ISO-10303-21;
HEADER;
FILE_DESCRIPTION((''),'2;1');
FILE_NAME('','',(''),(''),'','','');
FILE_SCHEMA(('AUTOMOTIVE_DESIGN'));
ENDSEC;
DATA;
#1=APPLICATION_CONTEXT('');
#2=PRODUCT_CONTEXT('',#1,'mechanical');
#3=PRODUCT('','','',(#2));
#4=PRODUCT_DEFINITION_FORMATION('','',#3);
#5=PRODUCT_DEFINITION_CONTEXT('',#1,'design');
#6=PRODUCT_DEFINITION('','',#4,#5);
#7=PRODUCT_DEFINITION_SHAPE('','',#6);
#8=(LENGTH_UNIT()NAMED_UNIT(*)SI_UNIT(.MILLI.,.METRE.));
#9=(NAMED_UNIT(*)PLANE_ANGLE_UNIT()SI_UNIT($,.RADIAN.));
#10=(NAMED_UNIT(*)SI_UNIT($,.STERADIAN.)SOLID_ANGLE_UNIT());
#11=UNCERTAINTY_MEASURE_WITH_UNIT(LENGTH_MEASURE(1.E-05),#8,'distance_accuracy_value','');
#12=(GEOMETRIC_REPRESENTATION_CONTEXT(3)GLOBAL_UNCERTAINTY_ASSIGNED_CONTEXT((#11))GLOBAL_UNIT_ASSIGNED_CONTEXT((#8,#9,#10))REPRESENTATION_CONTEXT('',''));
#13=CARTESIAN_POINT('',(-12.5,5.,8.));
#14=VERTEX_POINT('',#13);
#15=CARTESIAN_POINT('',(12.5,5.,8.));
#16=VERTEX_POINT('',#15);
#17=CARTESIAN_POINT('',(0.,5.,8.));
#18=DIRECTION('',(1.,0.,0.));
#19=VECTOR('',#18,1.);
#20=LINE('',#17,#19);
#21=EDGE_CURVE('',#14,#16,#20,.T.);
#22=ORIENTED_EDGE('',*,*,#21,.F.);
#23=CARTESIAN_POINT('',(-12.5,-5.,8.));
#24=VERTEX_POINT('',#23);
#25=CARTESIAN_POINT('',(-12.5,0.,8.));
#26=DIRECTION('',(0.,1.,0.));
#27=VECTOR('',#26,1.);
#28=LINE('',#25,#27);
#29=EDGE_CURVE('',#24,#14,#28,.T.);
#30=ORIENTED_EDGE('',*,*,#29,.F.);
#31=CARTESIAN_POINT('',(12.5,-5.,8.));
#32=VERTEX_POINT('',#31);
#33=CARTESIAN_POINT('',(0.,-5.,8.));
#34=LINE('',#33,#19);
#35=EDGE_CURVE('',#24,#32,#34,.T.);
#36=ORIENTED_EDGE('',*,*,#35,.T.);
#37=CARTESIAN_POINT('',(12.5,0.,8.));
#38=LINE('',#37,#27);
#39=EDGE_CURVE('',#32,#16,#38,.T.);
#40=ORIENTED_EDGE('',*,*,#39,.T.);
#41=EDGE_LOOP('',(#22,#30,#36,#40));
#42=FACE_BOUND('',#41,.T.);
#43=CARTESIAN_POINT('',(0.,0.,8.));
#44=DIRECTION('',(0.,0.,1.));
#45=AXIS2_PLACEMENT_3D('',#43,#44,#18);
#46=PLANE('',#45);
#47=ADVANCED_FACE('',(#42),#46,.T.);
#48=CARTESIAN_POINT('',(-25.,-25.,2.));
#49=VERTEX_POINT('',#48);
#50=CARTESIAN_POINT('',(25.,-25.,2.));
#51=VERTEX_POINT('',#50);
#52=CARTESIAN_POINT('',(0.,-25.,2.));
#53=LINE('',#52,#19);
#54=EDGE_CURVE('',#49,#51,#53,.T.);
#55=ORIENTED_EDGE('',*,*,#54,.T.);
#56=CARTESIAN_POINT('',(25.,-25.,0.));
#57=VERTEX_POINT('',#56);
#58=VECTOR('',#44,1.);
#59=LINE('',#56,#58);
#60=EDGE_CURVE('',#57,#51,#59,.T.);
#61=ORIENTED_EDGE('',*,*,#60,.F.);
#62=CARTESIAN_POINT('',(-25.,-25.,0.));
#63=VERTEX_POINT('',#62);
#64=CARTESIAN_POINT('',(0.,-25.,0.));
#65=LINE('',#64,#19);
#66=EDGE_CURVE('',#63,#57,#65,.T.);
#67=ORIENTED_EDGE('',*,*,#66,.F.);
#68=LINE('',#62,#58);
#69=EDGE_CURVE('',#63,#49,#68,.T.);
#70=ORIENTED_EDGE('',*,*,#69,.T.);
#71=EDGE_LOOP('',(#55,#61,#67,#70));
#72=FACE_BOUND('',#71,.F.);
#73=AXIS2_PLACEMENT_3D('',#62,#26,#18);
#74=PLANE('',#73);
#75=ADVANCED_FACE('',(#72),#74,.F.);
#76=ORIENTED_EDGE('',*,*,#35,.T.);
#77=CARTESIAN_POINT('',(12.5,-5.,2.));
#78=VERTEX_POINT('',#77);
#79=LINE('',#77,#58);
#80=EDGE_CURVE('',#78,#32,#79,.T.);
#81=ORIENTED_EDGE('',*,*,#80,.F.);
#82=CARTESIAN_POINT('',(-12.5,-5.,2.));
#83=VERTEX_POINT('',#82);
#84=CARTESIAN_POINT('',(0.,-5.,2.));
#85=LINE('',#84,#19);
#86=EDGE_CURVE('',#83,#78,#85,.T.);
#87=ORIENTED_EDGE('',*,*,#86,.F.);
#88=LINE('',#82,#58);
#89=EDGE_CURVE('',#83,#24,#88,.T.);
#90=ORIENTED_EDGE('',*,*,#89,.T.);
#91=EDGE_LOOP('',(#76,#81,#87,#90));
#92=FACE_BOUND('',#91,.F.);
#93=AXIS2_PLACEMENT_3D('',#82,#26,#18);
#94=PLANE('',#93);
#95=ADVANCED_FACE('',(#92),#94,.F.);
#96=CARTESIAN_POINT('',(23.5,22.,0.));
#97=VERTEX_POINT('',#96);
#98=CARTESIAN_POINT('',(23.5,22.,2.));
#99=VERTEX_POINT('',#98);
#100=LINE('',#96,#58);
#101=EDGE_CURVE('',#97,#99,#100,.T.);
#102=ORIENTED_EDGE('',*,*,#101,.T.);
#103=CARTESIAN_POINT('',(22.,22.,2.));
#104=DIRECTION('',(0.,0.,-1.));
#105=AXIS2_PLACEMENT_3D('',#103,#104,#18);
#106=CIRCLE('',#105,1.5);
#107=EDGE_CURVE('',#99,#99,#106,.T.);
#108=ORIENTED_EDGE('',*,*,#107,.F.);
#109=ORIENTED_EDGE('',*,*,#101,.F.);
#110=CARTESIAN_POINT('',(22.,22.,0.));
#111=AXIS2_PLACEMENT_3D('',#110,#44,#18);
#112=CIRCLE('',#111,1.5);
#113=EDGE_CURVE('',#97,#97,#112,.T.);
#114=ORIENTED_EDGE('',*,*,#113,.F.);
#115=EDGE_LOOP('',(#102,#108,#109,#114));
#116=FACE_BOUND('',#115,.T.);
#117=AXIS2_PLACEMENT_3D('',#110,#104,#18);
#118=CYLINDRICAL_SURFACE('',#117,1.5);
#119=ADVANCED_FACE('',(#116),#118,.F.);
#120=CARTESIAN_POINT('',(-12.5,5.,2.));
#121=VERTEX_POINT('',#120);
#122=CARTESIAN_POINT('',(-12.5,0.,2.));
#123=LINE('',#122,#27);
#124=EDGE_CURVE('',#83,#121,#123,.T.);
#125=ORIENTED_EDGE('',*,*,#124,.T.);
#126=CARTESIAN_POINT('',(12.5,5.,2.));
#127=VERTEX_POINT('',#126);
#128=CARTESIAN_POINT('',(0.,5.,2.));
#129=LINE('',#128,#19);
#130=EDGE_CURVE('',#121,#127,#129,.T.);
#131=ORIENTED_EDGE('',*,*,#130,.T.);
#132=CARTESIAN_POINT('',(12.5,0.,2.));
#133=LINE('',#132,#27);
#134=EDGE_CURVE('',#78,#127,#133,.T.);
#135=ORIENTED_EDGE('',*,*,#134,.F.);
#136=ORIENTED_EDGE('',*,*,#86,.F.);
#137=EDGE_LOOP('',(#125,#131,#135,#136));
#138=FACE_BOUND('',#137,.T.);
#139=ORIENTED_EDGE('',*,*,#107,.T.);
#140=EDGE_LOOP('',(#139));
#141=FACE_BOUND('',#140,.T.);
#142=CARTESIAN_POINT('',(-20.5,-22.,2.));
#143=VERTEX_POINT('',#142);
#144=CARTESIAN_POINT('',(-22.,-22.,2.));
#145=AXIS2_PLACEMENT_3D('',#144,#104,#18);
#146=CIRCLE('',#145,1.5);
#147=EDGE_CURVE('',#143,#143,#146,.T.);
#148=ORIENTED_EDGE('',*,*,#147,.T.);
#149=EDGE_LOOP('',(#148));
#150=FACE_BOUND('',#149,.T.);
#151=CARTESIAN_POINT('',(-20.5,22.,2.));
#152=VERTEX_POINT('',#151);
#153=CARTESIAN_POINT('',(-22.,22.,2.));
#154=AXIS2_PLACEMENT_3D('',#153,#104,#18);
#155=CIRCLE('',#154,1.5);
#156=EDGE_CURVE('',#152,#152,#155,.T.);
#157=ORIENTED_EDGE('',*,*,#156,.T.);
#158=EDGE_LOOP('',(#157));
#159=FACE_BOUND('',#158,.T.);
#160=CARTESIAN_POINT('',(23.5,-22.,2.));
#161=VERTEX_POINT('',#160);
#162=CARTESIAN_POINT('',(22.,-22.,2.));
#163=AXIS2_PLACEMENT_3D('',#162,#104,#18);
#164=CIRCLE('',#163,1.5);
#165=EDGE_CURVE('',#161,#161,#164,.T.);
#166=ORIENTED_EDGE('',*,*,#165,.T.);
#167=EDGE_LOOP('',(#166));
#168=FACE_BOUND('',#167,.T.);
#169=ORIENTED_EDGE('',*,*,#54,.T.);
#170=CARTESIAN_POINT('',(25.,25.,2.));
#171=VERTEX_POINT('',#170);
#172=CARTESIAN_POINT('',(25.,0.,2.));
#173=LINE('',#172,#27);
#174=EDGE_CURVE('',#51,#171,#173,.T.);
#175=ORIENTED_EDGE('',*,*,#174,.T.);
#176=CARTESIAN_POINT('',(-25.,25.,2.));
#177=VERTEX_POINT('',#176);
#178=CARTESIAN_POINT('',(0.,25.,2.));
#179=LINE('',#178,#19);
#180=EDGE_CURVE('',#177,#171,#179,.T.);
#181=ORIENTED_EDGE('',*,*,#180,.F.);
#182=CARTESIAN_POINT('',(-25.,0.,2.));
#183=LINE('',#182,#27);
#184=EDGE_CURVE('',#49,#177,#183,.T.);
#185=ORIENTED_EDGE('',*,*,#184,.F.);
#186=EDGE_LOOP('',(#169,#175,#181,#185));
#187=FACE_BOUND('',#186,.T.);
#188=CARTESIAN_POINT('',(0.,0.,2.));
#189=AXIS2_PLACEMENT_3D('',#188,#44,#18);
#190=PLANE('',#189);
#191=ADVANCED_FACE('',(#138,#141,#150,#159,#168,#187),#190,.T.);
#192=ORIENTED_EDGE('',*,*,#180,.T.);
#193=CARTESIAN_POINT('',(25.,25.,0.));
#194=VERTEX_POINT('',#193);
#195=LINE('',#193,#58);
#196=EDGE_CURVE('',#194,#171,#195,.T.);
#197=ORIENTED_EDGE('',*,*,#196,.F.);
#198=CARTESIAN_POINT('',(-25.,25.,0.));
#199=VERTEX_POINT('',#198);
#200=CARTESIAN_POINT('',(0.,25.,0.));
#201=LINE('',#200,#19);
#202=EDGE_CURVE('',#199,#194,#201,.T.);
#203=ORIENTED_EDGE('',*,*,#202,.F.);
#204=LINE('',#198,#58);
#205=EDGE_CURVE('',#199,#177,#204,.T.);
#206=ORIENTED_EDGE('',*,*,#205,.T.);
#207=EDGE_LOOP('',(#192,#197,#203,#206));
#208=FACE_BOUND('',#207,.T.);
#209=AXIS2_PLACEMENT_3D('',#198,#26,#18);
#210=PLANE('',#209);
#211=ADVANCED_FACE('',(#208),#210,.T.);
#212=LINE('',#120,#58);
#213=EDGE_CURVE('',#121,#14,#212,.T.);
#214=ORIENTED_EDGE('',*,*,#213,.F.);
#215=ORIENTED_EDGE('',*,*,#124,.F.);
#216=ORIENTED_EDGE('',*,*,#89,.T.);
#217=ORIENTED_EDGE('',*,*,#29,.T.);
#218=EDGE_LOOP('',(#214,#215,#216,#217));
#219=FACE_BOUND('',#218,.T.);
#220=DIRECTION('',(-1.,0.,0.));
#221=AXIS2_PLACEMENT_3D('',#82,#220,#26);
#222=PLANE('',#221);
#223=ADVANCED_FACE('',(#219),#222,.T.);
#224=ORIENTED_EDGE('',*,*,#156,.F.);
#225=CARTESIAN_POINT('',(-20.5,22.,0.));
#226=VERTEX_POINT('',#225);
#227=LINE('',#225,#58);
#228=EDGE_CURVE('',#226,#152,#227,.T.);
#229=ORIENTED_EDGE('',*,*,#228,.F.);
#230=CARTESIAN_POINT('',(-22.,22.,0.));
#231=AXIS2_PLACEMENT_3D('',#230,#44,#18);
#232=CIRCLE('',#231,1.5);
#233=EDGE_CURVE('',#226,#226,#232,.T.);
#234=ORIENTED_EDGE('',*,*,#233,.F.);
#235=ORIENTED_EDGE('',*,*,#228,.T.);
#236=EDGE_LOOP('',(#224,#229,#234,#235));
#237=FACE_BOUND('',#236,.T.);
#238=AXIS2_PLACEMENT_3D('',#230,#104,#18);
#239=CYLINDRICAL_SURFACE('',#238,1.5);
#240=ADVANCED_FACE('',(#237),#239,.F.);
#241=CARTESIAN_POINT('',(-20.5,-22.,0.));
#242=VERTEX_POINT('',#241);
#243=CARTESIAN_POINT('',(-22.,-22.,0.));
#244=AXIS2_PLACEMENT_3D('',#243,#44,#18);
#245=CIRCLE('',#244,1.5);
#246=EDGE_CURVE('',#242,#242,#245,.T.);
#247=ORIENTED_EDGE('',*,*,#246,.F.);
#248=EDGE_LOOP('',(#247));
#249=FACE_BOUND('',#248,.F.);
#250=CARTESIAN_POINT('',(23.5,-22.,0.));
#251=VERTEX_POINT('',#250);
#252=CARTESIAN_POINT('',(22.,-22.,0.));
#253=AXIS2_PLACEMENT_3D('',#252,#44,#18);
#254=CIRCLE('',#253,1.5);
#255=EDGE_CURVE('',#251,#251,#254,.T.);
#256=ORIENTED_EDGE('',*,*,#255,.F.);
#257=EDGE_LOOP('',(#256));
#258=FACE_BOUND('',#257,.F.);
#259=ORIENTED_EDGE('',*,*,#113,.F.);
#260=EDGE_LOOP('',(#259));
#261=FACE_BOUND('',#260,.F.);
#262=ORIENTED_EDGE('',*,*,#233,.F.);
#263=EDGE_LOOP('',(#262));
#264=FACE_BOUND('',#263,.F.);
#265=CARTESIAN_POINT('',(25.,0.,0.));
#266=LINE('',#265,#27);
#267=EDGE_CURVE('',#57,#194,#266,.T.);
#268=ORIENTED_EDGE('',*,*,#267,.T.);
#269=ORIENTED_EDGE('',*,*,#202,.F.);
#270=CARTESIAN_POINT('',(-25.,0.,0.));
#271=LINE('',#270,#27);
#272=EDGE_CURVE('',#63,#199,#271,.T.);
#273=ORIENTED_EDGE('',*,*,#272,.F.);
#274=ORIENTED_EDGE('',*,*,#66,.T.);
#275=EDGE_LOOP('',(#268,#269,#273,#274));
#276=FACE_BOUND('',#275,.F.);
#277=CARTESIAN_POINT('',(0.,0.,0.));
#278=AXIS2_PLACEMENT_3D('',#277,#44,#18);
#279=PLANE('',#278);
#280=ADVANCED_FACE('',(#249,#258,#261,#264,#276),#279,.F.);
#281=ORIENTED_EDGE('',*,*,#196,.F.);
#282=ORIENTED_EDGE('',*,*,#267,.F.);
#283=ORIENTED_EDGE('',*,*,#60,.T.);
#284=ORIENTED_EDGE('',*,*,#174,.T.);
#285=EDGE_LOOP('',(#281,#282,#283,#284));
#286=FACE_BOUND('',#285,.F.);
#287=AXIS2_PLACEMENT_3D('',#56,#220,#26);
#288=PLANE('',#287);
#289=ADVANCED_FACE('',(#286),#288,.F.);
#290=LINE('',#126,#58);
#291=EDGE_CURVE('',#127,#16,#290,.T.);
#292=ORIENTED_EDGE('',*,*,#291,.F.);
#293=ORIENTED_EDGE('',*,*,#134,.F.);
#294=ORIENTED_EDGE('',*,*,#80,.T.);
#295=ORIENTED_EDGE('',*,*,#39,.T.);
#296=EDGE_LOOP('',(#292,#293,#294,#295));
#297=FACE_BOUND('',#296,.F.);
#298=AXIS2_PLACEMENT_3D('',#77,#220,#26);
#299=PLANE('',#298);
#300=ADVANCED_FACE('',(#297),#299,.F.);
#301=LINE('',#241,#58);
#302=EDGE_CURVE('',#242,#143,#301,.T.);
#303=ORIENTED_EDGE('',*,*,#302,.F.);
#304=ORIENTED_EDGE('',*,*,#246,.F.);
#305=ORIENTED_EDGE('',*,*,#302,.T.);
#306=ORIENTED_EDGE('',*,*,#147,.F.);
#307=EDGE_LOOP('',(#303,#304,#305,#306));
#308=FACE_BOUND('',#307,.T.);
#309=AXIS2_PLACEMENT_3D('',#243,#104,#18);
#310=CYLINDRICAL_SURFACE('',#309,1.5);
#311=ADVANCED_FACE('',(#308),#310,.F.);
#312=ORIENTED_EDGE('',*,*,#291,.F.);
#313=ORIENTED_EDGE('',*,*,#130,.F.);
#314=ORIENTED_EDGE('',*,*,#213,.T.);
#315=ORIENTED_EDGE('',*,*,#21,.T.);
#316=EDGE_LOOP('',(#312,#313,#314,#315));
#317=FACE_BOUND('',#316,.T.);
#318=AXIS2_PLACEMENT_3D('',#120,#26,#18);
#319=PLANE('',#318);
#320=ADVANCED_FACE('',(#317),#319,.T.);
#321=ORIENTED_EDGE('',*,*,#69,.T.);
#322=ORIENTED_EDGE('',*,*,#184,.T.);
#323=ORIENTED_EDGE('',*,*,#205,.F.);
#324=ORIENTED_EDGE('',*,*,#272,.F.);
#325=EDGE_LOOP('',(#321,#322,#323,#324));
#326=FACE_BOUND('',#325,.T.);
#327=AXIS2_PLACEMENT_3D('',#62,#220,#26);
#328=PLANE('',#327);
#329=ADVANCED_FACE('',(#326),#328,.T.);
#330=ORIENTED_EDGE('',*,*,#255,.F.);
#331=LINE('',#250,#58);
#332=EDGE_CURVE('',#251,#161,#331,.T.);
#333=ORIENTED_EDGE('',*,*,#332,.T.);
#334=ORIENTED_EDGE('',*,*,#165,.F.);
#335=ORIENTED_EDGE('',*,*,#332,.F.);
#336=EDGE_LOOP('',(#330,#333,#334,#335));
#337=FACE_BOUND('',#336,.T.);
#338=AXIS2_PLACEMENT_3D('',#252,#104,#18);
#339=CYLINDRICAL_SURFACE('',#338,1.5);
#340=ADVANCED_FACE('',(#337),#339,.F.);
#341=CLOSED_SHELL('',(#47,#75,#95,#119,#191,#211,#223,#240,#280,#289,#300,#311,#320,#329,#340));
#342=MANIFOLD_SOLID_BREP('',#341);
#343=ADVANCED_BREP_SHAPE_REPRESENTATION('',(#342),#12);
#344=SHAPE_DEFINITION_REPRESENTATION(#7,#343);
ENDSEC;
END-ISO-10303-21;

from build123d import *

# Parameters (mm, degrees)
F0_W     = 50
F0_H     = 50
F1_DEPTH = 2
F2_R     = 1.5
F3_DEPTH = 2.001
F4_W     = 25
F4_H     = 10
F5_DEPTH = 6


with BuildPart() as f1:
    # F0 (on Top) → F1 (new body)
    with BuildSketch(Plane.XY):
        Rectangle(F0_W, F0_H)
    extrude(amount=F1_DEPTH)

    # F2 (on Top) → F3 (cut, through all)
    with BuildSketch(Plane.XY):
        with Locations((-22, 22)):
            Circle(F2_R)
        with Locations((-22, -22)):
            Circle(F2_R)
        with Locations((22, -22)):
            Circle(F2_R)
        with Locations((22, 22)):
            Circle(F2_R)
    extrude(amount=F3_DEPTH, mode=Mode.SUBTRACT)

    # F4 (on face) → F5 (join)
    with BuildSketch(Plane.XY.offset(2)):
        Rectangle(F4_W, F4_H)
    extrude(amount=F5_DEPTH)


solid = f1.part
